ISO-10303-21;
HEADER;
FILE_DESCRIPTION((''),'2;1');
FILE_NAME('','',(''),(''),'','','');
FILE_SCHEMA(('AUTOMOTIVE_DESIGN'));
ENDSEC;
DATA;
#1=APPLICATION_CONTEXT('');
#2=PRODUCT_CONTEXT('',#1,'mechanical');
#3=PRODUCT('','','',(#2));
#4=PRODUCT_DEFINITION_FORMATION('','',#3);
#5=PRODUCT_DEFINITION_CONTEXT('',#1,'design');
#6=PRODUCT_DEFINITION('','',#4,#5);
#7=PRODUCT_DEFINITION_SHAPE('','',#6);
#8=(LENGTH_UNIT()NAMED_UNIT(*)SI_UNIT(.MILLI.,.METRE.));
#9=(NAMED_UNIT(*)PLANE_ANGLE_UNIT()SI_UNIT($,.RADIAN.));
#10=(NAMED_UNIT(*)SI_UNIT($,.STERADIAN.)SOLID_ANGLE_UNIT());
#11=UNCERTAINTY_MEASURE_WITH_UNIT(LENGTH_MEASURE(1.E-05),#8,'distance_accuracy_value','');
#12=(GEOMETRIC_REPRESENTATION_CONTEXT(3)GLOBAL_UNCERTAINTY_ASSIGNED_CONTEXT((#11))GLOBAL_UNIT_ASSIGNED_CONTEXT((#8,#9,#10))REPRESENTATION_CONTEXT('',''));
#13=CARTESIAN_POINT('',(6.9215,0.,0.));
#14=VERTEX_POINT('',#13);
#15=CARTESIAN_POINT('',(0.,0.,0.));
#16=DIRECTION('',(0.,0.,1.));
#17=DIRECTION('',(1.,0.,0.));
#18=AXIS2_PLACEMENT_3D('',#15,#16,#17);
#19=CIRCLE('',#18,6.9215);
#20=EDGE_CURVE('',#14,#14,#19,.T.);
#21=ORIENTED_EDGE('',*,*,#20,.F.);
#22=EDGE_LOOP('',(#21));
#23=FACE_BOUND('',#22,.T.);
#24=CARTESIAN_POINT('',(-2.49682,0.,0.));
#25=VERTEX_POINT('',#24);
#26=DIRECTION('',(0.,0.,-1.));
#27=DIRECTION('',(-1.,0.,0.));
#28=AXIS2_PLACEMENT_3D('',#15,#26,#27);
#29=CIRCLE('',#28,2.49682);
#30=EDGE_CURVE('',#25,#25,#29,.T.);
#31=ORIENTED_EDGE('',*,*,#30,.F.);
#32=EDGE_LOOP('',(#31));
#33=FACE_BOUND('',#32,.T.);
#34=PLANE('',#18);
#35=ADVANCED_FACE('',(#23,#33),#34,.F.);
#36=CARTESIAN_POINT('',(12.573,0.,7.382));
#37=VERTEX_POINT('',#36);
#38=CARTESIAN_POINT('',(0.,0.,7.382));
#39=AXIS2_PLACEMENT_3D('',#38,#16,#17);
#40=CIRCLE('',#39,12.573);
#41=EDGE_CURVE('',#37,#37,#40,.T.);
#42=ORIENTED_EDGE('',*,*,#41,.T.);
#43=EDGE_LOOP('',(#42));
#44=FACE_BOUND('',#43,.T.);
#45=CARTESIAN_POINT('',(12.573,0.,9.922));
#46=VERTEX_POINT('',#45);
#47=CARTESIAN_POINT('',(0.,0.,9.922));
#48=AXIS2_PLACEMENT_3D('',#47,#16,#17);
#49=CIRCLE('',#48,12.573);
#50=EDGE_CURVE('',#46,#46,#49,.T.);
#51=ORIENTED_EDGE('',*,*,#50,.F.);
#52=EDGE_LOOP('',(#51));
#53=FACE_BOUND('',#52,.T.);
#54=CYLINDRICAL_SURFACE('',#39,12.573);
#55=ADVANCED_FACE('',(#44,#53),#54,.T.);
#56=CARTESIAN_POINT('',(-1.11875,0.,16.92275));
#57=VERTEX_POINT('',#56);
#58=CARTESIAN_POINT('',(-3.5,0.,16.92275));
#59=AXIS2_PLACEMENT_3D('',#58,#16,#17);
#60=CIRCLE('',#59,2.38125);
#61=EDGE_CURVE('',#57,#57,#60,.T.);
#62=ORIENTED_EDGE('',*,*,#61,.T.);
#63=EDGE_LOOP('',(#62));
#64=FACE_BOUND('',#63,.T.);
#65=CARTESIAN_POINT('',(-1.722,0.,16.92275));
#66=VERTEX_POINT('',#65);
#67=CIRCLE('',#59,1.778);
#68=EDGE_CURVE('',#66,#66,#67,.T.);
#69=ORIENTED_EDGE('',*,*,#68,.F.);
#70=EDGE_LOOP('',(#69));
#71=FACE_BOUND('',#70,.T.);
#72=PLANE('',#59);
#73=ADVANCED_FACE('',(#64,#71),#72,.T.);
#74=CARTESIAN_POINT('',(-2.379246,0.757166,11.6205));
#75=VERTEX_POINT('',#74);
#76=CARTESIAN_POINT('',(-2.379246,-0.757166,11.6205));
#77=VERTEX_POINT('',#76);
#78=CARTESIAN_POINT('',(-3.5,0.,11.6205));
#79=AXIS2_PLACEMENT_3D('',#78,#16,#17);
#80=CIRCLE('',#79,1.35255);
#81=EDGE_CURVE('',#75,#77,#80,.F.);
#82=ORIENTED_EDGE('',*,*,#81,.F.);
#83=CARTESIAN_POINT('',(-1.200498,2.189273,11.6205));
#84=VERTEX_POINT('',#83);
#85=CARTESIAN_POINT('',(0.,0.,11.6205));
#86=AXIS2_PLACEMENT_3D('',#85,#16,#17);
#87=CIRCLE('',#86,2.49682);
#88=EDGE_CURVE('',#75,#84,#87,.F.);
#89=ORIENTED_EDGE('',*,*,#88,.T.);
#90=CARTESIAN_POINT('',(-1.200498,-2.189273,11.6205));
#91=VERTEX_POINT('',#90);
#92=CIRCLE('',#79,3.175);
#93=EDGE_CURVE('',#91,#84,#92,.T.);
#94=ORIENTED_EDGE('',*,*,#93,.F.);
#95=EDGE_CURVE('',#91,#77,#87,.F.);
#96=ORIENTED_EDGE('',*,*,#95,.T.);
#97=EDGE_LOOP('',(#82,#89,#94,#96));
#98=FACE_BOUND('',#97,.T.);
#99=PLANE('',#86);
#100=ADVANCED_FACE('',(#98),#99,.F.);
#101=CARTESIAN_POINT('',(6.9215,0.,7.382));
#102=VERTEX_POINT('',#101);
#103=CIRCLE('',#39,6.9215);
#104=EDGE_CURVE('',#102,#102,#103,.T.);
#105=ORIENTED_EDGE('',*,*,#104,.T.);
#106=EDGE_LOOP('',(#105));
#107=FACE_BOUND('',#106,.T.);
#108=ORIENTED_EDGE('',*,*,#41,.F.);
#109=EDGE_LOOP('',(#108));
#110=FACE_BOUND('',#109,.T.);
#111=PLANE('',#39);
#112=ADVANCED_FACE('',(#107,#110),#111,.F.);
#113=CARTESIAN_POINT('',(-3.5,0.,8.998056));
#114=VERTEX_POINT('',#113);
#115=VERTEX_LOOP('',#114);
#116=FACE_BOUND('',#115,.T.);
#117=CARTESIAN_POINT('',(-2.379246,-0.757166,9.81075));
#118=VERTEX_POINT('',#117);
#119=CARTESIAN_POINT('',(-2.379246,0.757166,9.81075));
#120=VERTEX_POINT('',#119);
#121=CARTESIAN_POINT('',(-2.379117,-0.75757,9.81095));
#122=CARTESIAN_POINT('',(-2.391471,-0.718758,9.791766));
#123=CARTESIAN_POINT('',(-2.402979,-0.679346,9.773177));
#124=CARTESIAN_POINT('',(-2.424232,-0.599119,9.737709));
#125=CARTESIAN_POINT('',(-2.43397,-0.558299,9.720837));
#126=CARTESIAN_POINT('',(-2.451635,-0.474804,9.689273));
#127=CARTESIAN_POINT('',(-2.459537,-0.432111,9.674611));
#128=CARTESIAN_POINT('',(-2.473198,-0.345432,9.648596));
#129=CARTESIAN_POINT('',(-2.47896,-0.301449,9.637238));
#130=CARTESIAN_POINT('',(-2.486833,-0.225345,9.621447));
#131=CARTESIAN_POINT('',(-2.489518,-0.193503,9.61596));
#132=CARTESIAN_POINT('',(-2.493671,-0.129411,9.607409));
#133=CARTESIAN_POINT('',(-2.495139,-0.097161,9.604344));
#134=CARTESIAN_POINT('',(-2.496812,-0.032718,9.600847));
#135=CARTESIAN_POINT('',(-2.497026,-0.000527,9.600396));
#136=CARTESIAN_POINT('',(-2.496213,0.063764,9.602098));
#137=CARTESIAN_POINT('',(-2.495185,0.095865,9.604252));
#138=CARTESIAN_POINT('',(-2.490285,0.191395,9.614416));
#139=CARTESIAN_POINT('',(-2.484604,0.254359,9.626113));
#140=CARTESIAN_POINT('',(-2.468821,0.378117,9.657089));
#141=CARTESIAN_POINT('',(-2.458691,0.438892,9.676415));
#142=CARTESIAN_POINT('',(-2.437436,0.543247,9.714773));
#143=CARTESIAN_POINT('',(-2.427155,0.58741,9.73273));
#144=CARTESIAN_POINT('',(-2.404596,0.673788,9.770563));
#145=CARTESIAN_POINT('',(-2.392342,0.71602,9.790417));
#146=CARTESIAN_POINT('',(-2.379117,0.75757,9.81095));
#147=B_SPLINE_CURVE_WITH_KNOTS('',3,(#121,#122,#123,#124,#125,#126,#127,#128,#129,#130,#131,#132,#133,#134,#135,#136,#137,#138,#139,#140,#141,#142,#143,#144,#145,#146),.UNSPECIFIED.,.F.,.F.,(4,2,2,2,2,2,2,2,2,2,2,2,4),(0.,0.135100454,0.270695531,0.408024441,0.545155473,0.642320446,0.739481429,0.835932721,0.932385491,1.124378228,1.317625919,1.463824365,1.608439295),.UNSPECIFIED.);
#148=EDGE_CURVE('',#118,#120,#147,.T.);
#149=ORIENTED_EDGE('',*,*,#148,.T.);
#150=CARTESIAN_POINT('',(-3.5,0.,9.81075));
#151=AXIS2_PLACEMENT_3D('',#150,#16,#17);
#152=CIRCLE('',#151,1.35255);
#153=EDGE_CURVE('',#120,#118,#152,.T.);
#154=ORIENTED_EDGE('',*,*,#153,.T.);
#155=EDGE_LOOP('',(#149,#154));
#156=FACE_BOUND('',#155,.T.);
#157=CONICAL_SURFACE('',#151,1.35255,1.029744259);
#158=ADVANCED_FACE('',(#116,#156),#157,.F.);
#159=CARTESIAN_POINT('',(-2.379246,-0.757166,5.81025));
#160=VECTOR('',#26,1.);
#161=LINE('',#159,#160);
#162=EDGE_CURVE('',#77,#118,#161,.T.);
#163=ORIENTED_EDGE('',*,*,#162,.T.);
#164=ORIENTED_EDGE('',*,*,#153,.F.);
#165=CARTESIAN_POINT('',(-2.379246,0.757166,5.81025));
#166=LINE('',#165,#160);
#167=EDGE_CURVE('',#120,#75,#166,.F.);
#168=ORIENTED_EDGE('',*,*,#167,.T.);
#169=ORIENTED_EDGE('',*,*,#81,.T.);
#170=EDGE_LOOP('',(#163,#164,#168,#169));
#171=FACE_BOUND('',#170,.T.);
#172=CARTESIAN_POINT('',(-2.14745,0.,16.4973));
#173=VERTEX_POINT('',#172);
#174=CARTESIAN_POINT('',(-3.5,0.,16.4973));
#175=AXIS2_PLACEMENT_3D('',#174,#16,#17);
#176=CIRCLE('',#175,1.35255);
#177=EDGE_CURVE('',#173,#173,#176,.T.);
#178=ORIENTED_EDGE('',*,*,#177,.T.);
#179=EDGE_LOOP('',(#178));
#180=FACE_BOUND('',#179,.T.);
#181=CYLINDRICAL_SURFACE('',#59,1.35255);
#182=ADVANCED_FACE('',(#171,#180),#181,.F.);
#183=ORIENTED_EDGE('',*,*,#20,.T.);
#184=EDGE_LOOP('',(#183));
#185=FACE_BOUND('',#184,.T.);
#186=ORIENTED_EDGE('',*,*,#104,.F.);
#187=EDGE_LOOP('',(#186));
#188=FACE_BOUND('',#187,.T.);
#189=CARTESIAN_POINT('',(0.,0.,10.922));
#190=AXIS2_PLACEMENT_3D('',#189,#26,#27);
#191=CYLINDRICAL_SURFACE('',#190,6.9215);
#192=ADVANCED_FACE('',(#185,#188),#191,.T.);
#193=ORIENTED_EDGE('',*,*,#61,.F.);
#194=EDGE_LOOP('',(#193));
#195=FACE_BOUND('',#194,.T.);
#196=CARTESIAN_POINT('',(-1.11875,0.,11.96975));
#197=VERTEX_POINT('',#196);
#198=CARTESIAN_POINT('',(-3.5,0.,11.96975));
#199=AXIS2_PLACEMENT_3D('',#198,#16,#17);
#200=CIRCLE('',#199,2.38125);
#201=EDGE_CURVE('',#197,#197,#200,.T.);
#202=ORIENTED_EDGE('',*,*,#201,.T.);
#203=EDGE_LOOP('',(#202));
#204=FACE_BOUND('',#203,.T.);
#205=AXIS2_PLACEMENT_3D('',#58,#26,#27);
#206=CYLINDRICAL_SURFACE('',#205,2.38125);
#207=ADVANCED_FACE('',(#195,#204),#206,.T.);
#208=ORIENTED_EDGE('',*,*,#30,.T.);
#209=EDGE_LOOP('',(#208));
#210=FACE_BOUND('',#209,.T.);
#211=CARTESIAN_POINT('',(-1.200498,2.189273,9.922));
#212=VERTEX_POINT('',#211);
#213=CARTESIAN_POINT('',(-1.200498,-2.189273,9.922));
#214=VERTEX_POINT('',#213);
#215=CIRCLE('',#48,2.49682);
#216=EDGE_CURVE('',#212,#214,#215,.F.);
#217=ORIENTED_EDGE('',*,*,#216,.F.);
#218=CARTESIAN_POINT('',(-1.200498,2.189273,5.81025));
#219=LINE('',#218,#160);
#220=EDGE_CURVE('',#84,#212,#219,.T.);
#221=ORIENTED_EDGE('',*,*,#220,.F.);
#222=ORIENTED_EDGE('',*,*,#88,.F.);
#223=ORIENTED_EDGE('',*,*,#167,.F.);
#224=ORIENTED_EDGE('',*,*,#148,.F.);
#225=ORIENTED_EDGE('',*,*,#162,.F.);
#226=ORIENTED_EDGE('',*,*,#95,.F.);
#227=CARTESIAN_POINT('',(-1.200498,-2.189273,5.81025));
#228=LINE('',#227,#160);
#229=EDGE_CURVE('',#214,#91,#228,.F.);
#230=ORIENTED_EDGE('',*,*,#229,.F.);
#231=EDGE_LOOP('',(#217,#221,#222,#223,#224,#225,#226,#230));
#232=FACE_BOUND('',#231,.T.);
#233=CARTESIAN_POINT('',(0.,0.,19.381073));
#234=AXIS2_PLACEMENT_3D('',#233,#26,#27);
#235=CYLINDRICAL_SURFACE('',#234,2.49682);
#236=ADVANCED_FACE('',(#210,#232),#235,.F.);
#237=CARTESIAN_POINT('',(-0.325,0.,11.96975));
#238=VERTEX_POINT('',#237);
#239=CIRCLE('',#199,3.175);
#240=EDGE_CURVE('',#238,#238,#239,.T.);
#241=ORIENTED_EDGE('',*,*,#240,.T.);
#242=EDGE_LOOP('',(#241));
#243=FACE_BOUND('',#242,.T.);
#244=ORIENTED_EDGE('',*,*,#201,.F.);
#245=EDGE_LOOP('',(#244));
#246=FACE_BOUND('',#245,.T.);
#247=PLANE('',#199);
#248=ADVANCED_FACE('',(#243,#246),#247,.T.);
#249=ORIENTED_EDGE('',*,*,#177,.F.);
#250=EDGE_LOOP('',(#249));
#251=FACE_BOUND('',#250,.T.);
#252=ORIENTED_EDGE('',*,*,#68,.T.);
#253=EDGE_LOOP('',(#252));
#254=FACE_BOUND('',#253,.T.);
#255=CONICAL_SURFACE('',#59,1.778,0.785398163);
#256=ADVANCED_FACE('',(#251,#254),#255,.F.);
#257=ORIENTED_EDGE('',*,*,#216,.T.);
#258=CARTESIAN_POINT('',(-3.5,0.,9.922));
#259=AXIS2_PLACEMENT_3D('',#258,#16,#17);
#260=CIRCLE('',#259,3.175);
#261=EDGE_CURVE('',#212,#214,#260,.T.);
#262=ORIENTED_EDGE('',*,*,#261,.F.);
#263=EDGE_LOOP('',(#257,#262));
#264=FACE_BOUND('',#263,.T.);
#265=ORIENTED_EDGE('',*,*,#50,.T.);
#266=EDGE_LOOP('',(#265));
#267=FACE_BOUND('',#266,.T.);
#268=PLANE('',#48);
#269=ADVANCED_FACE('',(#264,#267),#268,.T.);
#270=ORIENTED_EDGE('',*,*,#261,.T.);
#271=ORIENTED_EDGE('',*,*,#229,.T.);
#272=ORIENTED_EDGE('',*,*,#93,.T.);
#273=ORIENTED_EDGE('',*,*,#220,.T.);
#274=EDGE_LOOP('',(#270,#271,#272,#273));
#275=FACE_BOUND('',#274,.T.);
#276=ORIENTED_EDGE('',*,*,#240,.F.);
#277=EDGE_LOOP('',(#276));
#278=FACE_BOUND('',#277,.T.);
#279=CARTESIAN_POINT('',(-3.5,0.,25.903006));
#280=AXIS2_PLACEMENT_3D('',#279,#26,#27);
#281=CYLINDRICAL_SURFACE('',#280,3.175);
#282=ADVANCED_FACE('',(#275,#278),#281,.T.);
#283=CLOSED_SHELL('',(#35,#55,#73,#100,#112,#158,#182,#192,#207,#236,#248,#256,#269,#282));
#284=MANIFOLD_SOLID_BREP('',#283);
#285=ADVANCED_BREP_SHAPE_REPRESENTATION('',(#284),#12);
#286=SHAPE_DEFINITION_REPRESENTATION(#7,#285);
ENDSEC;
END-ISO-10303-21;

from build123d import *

# Parameters (mm, degrees)
SKETCH1_R                       = 6.9215
SKETCH1_R_2                     = 0.127
BOSS_EXTRUDE1_DEPTH             = 10.922
SKETCH2_R                       = 2.38125
BOSS_EXTRUDE2_DEPTH             = 6.00075
BOSS_EXTRUDE3_START             = -0.762
SKETCH4_R                       = 6.9215
BOSS_EXTRUDE3_DEPTH             = 0.762
SKETCH5_R                       = 3.175
BOSS_EXTRUDE4_DEPTH             = 1.04775
F_6_32_TAPPED_HOLE1_D           = 2.7051
F_6_32_TAPPED_HOLE1_DEPTH       = 7.112
F_6_32_TAPPED_HOLE1_CSINK_D     = 3.556
F_6_32_TAPPED_HOLE1_CSINK_ANGLE = 90
F_6_32_TAPPED_HOLE1_TIP         = 0.81269403
SKETCH9_R                       = 0.127
CUT_EXTRUDE2_DEPTH              = 15.108150995
SKETCH13_R                      = 2.49682
CUT_EXTRUDE5_DEPTH              = 11.6205
SKETCH15_OUTSIDE_W              = 21.02
SKETCH15_OUTSIDE_H              = 21.02
SKETCH15_OUTSIDE_R              = 3.175
CUT_EXTRUDE7_DEPTH              = 1.000000032
BOSS_EXTRUDE6_START             = -2.54
SKETCH16_R                      = 12.573
SKETCH16_R_2                    = 6.9215
BOSS_EXTRUDE6_DEPTH             = 2.54


with BuildPart() as part:
    # Sketch1 → Boss-Extrude1 (new body)
    with BuildSketch(Plane.XY):
        Circle(SKETCH1_R)
        Circle(SKETCH1_R_2, mode=Mode.SUBTRACT)
    extrude(amount=BOSS_EXTRUDE1_DEPTH)

    # Sketch2 → Boss-Extrude2 (add)
    with BuildSketch(Plane.XY.offset(10.922)):
        with Locations((-3.5, 0)):
            Circle(SKETCH2_R)
    extrude(amount=BOSS_EXTRUDE2_DEPTH)

    # Sketch4 → Boss-Extrude3 (add)
    with BuildSketch(Plane.XY.offset(10.922).offset(BOSS_EXTRUDE3_START)):
        Circle(SKETCH4_R)
    extrude(amount=BOSS_EXTRUDE3_DEPTH)

    # Sketch5 → Boss-Extrude4 (add)
    with BuildSketch(Plane.XY.offset(10.922)):
        with Locations(Location((-3.5, 0, 0), (0, 0, 43.593288384))):
            Circle(SKETCH5_R)
    extrude(amount=BOSS_EXTRUDE4_DEPTH)

    # #6-32 Tapped Hole1
    with Locations(Plane.XY.offset(16.92275)):
        with Locations((-3.5, 0)):
            CounterSinkHole(F_6_32_TAPPED_HOLE1_D / 2, F_6_32_TAPPED_HOLE1_CSINK_D / 2, depth=F_6_32_TAPPED_HOLE1_DEPTH, counter_sink_angle=F_6_32_TAPPED_HOLE1_CSINK_ANGLE)
            with Locations((0, 0, -(F_6_32_TAPPED_HOLE1_DEPTH + F_6_32_TAPPED_HOLE1_TIP / 2))):  # 118° drill point
                Cone(0, F_6_32_TAPPED_HOLE1_D / 2, F_6_32_TAPPED_HOLE1_TIP, mode=Mode.SUBTRACT)

    # Sketch9 → Cut-Extrude2 (cut, through all)
    with BuildSketch(Plane(origin=(0, 0, 10.16), x_dir=(-1, 0, 0), z_dir=(0, 0, -1))):
        Circle(SKETCH9_R)
    extrude(amount=-CUT_EXTRUDE2_DEPTH, mode=Mode.SUBTRACT)

    # Sketch13 → Cut-Extrude5 (cut)
    with BuildSketch(Plane(origin=(0, 0, 0), x_dir=(-1, 0, 0), z_dir=(0, 0, -1))):
        Circle(SKETCH13_R)
    extrude(amount=-CUT_EXTRUDE5_DEPTH, mode=Mode.SUBTRACT)

    # Sketch15 outside → Cut-Extrude7 (cut)
    with BuildSketch(Plane.XY.offset(10.922)):
        Rectangle(SKETCH15_OUTSIDE_W, SKETCH15_OUTSIDE_H)
        with Locations(Location((-3.5, 0, 0), (0, 0, 43.593288384))):
            Circle(SKETCH15_OUTSIDE_R, mode=Mode.SUBTRACT)
    extrude(amount=-CUT_EXTRUDE7_DEPTH, mode=Mode.SUBTRACT)

    # Sketch16 → Boss-Extrude6 (add)
    with BuildSketch(Plane.XY.offset(9.921999968).offset(BOSS_EXTRUDE6_START)):
        Circle(SKETCH16_R)
        Circle(SKETCH16_R_2, mode=Mode.SUBTRACT)
    extrude(amount=BOSS_EXTRUDE6_DEPTH)


solid = part.part
